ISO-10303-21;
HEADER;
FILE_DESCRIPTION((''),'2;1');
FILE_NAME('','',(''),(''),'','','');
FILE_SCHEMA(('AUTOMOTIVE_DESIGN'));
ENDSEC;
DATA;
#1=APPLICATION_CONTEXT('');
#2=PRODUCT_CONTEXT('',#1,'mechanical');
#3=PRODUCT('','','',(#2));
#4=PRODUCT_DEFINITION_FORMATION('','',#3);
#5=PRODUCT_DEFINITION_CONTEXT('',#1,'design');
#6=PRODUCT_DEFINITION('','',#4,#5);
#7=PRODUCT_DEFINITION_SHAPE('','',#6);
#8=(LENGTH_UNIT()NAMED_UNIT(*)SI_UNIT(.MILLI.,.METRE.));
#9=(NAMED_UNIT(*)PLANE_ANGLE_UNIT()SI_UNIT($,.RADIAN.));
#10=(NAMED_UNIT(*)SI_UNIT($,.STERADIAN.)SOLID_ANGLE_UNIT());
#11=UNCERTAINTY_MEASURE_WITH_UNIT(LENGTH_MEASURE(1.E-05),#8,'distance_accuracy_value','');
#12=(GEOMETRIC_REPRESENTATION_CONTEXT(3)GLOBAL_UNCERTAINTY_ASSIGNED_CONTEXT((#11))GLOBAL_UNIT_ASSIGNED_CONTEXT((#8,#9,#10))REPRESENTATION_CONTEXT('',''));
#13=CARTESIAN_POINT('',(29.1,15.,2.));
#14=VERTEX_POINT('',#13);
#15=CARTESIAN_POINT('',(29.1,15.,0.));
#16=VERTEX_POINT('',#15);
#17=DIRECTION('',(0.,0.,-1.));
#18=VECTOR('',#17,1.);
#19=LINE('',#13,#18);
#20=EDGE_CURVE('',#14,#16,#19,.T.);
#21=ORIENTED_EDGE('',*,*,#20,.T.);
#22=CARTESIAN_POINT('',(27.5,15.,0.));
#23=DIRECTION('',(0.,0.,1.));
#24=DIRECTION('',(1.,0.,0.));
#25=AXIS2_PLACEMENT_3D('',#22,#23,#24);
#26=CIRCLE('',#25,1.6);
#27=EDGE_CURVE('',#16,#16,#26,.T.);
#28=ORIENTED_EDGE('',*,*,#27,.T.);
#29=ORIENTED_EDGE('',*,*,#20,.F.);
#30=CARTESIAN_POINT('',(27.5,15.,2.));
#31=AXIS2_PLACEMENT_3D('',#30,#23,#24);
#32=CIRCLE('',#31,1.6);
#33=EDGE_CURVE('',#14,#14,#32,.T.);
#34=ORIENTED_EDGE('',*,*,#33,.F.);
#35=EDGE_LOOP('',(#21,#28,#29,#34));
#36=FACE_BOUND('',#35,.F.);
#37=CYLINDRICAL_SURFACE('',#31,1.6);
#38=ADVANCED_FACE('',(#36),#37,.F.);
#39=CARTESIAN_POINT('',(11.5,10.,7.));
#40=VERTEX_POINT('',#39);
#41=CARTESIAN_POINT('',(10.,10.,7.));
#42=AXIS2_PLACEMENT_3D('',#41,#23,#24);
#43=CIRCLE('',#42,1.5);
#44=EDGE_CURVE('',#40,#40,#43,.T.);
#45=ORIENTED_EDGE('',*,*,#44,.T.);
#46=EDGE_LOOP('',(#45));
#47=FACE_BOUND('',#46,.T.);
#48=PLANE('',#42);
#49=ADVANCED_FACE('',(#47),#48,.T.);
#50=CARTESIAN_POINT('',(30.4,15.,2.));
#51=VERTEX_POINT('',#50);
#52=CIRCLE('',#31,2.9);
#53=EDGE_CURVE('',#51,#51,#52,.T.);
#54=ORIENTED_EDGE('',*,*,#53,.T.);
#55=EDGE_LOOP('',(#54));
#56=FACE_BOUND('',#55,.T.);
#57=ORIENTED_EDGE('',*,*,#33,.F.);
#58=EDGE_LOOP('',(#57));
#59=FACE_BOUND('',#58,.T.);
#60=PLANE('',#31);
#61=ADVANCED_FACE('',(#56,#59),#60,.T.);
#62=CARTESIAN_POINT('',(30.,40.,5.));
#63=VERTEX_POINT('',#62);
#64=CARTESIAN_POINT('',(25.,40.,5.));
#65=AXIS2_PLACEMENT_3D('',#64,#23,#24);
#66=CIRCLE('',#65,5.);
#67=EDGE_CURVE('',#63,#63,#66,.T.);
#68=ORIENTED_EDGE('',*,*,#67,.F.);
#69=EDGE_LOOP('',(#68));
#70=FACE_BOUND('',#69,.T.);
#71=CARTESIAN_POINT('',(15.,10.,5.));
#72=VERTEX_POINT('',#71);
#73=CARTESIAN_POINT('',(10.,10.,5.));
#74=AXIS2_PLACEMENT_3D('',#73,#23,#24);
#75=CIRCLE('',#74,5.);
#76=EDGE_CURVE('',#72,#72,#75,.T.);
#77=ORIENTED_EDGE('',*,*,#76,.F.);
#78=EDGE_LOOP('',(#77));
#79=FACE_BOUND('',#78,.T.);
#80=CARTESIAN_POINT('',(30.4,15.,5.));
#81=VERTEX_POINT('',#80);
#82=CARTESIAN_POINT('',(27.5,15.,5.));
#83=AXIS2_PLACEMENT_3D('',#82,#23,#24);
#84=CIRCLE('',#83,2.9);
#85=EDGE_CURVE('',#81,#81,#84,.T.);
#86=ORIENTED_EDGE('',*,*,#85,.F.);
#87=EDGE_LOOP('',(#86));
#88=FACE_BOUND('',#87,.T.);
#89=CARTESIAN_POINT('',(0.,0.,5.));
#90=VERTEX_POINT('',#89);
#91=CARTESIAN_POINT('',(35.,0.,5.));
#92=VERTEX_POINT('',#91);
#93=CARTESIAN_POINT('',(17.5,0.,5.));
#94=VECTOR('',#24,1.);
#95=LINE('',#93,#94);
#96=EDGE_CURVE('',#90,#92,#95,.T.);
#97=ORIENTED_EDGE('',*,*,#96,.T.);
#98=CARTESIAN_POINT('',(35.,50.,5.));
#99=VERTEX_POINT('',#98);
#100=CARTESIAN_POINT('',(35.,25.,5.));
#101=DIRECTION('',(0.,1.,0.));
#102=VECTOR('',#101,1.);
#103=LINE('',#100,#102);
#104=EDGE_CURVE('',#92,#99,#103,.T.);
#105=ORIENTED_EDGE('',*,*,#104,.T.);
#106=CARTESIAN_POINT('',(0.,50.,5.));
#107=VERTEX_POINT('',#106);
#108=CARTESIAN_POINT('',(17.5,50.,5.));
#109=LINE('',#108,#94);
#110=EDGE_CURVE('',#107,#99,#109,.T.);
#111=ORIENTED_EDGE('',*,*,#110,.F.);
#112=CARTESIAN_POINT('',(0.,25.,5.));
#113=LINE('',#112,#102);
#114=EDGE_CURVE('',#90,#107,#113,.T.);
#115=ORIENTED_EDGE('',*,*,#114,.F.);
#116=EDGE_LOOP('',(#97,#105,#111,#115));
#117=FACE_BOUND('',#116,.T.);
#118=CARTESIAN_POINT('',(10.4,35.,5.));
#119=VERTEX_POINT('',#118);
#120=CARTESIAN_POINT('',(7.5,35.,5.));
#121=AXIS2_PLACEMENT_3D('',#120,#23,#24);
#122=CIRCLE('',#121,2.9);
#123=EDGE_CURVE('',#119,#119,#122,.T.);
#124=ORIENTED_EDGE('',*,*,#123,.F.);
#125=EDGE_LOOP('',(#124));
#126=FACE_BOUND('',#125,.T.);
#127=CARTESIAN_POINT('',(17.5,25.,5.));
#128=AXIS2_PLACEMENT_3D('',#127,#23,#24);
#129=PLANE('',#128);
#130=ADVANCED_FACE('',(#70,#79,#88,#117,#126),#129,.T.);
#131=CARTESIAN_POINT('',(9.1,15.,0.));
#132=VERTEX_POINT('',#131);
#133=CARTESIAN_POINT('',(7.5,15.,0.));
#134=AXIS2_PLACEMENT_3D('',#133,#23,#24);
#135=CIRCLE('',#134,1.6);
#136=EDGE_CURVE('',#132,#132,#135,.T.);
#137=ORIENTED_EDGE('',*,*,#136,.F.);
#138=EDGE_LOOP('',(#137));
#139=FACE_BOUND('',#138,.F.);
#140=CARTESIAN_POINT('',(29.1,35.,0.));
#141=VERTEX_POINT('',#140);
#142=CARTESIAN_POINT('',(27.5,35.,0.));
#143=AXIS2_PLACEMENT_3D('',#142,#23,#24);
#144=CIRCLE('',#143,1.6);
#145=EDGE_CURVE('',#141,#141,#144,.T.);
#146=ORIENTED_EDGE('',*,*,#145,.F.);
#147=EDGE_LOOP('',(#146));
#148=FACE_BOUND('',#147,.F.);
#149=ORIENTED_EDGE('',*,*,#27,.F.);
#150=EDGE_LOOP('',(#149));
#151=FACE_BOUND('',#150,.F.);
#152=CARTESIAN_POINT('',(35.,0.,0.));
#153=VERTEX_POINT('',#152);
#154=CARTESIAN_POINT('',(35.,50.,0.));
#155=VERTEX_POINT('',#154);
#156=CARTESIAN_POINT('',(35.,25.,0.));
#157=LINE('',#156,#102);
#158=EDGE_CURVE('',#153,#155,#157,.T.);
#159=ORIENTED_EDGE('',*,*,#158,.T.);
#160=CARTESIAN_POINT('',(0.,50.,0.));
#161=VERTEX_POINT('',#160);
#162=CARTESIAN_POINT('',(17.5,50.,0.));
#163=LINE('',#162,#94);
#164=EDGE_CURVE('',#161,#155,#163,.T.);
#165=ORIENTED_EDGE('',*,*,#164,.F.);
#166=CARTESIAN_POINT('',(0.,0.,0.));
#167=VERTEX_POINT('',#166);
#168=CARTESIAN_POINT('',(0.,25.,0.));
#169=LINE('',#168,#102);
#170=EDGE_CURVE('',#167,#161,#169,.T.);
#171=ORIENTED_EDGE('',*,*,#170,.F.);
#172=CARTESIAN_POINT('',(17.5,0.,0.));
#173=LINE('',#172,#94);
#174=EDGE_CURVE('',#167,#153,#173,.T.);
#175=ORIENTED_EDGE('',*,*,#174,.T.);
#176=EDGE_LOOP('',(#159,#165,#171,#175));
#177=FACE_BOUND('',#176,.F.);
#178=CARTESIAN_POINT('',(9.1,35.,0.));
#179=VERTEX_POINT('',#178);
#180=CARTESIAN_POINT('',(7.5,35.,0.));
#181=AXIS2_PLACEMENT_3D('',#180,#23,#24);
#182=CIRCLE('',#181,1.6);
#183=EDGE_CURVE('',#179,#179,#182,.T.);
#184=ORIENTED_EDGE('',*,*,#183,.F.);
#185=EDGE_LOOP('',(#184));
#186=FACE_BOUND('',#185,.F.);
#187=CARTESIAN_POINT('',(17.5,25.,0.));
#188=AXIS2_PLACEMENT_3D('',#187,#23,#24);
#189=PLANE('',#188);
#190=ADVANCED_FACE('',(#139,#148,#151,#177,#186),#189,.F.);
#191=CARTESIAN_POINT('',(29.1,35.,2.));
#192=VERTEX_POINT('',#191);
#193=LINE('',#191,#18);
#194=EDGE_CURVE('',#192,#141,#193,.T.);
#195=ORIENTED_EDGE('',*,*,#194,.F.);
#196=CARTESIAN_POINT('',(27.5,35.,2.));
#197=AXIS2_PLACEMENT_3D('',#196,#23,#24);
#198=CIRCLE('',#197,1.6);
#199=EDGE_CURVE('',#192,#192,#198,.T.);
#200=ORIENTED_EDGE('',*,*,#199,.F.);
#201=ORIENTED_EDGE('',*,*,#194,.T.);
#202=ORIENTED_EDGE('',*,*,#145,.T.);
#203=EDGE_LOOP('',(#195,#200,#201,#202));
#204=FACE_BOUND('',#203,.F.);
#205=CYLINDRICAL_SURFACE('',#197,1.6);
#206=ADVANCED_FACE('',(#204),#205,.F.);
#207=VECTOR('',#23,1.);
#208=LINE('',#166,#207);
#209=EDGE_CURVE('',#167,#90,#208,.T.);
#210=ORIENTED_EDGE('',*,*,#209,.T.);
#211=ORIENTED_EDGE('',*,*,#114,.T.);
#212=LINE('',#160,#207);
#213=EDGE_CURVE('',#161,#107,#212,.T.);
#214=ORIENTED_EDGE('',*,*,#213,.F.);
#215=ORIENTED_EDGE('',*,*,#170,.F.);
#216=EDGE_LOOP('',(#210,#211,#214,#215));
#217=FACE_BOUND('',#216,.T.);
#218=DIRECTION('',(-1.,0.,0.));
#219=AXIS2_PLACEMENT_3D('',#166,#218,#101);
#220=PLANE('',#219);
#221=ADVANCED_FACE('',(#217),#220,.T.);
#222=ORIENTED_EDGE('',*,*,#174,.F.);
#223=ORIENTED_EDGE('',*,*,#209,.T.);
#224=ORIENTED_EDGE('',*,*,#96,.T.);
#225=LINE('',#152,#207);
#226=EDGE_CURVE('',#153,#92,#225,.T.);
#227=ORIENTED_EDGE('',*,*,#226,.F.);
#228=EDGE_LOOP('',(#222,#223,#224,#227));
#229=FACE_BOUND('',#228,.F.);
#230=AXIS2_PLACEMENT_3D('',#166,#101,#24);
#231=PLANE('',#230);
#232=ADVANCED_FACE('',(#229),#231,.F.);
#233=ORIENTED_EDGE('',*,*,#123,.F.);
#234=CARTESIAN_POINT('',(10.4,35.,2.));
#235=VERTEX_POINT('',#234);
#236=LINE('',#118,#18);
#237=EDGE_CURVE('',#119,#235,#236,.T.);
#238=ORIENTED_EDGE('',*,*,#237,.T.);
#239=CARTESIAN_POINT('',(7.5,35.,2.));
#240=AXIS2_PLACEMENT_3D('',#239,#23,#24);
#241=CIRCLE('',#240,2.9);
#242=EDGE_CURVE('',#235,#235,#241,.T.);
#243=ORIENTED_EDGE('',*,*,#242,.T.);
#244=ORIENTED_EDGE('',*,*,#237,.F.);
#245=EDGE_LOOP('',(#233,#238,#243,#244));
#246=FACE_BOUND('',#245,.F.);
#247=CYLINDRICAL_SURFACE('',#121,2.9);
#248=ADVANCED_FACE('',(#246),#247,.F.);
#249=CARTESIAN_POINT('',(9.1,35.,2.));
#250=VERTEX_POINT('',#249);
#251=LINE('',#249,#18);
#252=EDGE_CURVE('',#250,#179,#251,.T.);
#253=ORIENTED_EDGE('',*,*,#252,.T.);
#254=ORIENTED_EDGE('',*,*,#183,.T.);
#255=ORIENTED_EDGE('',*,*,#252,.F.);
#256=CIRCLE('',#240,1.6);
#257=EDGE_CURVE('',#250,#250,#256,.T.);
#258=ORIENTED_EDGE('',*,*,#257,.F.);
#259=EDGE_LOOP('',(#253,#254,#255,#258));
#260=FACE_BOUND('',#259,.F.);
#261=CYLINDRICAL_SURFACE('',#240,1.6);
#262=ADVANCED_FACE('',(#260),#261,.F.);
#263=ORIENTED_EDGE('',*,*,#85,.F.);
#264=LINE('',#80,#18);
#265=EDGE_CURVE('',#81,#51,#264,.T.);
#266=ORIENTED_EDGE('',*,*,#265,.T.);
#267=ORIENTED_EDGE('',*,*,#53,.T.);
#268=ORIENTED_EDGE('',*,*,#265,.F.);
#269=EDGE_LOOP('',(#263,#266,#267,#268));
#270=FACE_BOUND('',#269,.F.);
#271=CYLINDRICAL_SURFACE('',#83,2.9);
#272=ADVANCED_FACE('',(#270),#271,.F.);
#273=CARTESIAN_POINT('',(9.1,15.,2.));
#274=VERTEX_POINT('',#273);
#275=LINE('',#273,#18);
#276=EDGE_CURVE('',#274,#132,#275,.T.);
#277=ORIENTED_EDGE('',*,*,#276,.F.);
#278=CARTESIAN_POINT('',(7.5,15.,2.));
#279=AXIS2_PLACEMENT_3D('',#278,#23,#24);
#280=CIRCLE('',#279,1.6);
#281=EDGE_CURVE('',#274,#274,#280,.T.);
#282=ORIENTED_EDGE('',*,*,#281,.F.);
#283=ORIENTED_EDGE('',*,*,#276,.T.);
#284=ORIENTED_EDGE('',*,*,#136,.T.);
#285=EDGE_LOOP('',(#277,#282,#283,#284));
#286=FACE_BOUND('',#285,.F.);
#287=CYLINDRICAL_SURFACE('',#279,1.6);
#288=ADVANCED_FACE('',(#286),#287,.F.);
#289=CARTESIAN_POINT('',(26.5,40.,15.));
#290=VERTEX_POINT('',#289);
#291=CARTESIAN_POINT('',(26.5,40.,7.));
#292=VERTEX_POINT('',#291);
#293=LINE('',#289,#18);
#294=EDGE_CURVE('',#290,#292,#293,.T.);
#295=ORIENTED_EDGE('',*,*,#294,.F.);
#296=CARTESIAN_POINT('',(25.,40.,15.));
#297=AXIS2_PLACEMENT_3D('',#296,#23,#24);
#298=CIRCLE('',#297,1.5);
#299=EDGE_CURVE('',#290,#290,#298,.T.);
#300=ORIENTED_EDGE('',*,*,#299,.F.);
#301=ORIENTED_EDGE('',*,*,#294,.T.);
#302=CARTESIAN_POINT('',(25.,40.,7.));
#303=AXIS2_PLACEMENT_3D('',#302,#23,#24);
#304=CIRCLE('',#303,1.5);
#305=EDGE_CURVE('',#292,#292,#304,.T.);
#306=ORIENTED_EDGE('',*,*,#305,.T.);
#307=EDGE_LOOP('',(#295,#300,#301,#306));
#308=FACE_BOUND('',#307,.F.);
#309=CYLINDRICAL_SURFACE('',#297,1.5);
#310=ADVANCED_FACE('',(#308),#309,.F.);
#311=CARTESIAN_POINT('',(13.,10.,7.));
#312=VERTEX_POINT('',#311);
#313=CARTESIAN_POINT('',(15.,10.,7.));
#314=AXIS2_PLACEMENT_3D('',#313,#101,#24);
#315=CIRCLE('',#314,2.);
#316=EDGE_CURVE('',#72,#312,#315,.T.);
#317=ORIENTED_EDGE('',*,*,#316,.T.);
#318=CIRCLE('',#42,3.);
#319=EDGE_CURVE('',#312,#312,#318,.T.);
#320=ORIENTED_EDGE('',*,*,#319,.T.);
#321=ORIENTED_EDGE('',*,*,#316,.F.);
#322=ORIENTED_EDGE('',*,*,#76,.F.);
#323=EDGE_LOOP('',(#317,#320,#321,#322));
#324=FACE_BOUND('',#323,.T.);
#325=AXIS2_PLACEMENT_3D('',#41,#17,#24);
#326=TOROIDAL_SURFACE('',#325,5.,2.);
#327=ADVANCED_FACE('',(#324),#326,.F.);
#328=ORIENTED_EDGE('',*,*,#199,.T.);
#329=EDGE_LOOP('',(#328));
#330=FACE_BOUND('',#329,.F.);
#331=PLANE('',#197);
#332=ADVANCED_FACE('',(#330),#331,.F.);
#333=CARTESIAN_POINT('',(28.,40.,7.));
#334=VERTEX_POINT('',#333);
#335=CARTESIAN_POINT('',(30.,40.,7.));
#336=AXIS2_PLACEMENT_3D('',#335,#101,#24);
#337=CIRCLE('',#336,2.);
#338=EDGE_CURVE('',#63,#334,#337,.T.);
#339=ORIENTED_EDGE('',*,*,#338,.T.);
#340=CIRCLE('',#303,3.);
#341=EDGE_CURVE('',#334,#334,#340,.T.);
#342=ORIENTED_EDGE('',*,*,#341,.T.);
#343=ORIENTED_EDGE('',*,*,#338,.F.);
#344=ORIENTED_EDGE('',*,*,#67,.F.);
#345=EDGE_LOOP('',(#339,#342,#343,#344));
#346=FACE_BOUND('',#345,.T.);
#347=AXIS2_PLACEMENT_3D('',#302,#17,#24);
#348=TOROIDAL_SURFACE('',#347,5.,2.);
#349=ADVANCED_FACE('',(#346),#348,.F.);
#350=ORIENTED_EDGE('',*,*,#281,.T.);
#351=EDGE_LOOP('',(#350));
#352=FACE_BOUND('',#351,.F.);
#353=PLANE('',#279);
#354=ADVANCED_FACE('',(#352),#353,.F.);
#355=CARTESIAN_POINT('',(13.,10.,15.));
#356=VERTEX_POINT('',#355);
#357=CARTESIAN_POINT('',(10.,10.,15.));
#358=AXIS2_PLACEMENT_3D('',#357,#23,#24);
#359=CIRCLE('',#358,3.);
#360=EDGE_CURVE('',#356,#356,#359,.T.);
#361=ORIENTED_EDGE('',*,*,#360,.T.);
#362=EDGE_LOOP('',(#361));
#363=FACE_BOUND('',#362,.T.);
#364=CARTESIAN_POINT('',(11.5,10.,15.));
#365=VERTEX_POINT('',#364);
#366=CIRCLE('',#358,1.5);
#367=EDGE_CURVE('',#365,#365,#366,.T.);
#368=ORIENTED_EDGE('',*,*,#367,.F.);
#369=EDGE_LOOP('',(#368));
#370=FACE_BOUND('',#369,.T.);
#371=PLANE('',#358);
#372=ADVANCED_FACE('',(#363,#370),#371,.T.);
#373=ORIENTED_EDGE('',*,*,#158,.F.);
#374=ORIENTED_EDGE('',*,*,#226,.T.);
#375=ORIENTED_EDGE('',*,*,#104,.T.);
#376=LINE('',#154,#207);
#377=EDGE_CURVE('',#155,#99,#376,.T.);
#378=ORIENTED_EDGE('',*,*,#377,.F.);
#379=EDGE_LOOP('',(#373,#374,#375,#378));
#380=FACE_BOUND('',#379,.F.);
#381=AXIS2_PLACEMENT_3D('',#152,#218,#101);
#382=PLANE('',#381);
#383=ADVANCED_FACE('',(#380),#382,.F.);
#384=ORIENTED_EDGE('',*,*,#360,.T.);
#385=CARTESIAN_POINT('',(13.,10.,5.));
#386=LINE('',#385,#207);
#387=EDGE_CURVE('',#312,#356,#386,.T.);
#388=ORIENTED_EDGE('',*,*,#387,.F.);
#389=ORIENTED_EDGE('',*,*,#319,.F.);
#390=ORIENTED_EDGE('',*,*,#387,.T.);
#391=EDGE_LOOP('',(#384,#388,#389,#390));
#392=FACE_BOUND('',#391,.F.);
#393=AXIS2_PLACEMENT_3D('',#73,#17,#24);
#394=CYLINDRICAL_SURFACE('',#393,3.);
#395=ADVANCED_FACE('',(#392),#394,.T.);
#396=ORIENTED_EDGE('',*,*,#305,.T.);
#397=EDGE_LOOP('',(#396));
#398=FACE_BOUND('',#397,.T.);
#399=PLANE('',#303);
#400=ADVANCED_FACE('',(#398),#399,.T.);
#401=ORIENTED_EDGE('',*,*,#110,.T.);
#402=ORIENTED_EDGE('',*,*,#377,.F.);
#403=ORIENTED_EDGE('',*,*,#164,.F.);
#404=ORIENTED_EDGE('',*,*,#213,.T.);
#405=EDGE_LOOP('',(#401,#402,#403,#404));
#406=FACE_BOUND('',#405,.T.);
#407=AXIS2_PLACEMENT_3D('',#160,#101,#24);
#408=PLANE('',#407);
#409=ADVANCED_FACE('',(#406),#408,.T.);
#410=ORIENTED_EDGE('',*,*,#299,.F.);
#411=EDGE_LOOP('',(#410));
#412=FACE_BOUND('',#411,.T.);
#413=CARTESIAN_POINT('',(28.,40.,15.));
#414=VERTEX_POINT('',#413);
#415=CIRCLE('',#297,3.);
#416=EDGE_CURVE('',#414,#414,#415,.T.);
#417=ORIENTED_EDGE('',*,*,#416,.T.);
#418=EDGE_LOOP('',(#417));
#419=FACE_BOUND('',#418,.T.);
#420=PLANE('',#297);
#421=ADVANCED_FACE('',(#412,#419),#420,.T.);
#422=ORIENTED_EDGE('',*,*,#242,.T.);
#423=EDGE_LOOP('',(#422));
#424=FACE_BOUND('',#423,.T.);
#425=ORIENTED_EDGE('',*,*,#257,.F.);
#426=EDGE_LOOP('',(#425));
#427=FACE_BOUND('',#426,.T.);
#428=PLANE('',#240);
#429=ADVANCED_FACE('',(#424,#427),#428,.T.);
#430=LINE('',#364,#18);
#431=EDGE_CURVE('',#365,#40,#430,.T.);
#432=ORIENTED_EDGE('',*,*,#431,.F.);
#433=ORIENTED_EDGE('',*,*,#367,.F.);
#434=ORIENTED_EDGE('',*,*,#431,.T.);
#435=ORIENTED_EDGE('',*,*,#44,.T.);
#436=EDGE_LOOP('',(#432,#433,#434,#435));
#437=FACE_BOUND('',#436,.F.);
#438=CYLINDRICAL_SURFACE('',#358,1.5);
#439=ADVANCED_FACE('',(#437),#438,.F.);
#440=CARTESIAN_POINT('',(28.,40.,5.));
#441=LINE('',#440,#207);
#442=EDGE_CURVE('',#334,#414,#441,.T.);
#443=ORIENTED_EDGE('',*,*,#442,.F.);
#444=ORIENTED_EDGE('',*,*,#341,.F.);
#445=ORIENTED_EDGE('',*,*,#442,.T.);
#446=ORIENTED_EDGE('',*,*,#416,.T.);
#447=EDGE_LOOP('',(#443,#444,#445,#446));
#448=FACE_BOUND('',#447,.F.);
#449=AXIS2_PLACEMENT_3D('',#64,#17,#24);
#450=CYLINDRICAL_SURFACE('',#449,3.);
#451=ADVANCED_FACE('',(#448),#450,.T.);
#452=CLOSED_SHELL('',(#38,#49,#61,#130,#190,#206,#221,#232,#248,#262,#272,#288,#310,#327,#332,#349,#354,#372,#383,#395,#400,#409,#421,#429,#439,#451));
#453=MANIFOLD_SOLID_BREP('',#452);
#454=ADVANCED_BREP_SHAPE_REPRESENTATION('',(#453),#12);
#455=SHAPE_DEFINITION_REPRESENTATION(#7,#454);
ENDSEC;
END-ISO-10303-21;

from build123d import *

# Parameters (mm, degrees)
SKETCH_W        = 35
SKETCH_H        = 50
PAD_DEPTH       = 5
SKETCH004_R     = 2.9
POCKET_DEPTH    = 3
SKETCH005_R     = 1.6
POCKET001_DEPTH = 5
SKETCH006_R     = 3
PAD001_DEPTH    = 10
SKETCH007_R     = 1.5
POCKET002_DEPTH = 8
FILLET_R        = 2


with BuildPart() as part:
    # Sketch → Pad (new body)
    with BuildSketch(Plane.XY):
        with Locations((17.5, 25)):
            Rectangle(SKETCH_W, SKETCH_H)
    extrude(amount=PAD_DEPTH)

    # Sketch004 → Pocket (cut)
    with BuildSketch(Plane.XY.offset(5)):
        with Locations((7.5, 35)):
            Circle(SKETCH004_R)
        with Locations((27.5, 15)):
            Circle(SKETCH004_R)
    extrude(amount=-POCKET_DEPTH, mode=Mode.SUBTRACT)

    # Sketch005 → Pocket001 (cut)
    with BuildSketch(Plane.XY.offset(2)):
        with Locations((7.5, 15)):
            Circle(SKETCH005_R)
        with Locations((7.5, 35)):
            Circle(SKETCH005_R)
        with Locations((27.5, 15)):
            Circle(SKETCH005_R)
        with Locations((27.5, 35)):
            Circle(SKETCH005_R)
    extrude(amount=-POCKET001_DEPTH, mode=Mode.SUBTRACT)

    # Sketch006 → Pad001 (new body)
    with BuildSketch(Plane.XY.offset(5)):
        with Locations((10, 10)):
            Circle(SKETCH006_R)
        with Locations((25, 40)):
            Circle(SKETCH006_R)
    extrude(amount=PAD001_DEPTH)

    # Sketch007 → Pocket002 (cut)
    with BuildSketch(Plane.XY.offset(15)):
        with Locations((10, 10)):
            Circle(SKETCH007_R)
        with Locations((25, 40)):
            Circle(SKETCH007_R)
    extrude(amount=-POCKET002_DEPTH, mode=Mode.SUBTRACT)

    # Fillet
    fillet_edges = [part.edges().sort_by_distance(p)[0] for p in [
        (22, 40, 5),
        (7, 10, 5),
    ]]
    fillet(fillet_edges, radius=FILLET_R)


solid = part.part
